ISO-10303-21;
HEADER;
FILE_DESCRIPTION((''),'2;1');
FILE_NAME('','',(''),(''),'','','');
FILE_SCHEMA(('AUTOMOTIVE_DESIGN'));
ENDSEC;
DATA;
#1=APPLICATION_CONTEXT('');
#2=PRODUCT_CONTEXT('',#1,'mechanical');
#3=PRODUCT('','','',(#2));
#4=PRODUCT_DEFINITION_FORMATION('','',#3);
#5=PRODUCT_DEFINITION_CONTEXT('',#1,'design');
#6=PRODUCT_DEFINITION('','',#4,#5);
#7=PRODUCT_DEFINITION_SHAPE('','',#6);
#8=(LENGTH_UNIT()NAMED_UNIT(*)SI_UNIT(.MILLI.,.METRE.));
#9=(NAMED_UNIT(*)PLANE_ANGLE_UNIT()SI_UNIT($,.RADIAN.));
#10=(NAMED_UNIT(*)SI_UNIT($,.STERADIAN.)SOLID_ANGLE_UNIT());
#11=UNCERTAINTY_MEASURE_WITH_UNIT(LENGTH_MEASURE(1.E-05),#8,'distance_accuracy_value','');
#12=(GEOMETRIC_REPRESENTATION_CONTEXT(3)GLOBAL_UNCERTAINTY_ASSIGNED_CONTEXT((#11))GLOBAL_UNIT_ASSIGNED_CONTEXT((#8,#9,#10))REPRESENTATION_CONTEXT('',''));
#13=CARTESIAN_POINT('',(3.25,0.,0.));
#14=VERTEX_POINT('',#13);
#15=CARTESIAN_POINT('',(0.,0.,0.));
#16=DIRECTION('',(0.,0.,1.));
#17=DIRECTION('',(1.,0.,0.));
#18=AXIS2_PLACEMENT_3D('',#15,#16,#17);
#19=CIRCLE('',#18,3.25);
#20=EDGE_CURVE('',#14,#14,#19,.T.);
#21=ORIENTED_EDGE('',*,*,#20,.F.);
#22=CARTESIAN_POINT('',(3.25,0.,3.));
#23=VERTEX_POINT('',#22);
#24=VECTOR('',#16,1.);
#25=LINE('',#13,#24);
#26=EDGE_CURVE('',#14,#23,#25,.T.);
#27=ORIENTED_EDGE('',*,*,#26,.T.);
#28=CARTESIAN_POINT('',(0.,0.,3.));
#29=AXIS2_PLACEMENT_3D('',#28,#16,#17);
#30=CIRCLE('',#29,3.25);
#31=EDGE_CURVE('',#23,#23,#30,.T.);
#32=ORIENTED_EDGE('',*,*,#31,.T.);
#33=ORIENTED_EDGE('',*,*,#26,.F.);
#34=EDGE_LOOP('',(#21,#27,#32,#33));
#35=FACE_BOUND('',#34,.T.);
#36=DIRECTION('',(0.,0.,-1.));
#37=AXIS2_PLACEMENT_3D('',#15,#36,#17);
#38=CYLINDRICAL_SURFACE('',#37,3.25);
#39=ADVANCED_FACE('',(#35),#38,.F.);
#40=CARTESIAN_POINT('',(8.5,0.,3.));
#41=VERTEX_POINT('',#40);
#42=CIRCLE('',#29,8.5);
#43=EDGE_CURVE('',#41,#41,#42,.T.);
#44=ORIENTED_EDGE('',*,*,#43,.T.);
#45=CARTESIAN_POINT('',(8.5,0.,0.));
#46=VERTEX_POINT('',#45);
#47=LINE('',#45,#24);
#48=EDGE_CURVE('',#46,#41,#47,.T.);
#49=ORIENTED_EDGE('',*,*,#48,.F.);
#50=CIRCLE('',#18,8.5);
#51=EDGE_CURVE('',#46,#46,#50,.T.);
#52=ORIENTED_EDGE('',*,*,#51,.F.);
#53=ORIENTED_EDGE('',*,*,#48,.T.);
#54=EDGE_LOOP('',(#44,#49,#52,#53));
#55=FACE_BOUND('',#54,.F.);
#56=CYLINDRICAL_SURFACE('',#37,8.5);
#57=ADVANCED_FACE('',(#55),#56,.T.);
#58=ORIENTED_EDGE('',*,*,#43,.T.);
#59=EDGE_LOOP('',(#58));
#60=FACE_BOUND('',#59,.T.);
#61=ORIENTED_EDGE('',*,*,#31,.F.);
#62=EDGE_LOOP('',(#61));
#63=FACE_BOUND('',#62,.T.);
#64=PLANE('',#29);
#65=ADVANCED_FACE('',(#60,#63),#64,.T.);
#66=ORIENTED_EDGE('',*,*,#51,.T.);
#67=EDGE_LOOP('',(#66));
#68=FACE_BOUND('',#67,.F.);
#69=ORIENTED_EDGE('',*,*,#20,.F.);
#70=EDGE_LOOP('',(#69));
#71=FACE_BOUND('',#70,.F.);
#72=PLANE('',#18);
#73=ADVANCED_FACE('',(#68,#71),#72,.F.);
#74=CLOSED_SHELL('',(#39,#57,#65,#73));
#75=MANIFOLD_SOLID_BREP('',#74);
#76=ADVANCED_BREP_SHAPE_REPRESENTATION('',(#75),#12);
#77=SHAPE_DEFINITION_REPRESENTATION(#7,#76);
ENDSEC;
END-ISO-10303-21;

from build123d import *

# Parameters (mm, degrees)
SKETCH_R   = 8.5
SKETCH_R_2 = 3.25
PAD_DEPTH  = 3


with BuildPart() as part:
    # Sketch → Pad (new body)
    with BuildSketch(Plane.XY):
        Circle(SKETCH_R)
        Circle(SKETCH_R_2, mode=Mode.SUBTRACT)
    extrude(amount=PAD_DEPTH)


solid = part.part
